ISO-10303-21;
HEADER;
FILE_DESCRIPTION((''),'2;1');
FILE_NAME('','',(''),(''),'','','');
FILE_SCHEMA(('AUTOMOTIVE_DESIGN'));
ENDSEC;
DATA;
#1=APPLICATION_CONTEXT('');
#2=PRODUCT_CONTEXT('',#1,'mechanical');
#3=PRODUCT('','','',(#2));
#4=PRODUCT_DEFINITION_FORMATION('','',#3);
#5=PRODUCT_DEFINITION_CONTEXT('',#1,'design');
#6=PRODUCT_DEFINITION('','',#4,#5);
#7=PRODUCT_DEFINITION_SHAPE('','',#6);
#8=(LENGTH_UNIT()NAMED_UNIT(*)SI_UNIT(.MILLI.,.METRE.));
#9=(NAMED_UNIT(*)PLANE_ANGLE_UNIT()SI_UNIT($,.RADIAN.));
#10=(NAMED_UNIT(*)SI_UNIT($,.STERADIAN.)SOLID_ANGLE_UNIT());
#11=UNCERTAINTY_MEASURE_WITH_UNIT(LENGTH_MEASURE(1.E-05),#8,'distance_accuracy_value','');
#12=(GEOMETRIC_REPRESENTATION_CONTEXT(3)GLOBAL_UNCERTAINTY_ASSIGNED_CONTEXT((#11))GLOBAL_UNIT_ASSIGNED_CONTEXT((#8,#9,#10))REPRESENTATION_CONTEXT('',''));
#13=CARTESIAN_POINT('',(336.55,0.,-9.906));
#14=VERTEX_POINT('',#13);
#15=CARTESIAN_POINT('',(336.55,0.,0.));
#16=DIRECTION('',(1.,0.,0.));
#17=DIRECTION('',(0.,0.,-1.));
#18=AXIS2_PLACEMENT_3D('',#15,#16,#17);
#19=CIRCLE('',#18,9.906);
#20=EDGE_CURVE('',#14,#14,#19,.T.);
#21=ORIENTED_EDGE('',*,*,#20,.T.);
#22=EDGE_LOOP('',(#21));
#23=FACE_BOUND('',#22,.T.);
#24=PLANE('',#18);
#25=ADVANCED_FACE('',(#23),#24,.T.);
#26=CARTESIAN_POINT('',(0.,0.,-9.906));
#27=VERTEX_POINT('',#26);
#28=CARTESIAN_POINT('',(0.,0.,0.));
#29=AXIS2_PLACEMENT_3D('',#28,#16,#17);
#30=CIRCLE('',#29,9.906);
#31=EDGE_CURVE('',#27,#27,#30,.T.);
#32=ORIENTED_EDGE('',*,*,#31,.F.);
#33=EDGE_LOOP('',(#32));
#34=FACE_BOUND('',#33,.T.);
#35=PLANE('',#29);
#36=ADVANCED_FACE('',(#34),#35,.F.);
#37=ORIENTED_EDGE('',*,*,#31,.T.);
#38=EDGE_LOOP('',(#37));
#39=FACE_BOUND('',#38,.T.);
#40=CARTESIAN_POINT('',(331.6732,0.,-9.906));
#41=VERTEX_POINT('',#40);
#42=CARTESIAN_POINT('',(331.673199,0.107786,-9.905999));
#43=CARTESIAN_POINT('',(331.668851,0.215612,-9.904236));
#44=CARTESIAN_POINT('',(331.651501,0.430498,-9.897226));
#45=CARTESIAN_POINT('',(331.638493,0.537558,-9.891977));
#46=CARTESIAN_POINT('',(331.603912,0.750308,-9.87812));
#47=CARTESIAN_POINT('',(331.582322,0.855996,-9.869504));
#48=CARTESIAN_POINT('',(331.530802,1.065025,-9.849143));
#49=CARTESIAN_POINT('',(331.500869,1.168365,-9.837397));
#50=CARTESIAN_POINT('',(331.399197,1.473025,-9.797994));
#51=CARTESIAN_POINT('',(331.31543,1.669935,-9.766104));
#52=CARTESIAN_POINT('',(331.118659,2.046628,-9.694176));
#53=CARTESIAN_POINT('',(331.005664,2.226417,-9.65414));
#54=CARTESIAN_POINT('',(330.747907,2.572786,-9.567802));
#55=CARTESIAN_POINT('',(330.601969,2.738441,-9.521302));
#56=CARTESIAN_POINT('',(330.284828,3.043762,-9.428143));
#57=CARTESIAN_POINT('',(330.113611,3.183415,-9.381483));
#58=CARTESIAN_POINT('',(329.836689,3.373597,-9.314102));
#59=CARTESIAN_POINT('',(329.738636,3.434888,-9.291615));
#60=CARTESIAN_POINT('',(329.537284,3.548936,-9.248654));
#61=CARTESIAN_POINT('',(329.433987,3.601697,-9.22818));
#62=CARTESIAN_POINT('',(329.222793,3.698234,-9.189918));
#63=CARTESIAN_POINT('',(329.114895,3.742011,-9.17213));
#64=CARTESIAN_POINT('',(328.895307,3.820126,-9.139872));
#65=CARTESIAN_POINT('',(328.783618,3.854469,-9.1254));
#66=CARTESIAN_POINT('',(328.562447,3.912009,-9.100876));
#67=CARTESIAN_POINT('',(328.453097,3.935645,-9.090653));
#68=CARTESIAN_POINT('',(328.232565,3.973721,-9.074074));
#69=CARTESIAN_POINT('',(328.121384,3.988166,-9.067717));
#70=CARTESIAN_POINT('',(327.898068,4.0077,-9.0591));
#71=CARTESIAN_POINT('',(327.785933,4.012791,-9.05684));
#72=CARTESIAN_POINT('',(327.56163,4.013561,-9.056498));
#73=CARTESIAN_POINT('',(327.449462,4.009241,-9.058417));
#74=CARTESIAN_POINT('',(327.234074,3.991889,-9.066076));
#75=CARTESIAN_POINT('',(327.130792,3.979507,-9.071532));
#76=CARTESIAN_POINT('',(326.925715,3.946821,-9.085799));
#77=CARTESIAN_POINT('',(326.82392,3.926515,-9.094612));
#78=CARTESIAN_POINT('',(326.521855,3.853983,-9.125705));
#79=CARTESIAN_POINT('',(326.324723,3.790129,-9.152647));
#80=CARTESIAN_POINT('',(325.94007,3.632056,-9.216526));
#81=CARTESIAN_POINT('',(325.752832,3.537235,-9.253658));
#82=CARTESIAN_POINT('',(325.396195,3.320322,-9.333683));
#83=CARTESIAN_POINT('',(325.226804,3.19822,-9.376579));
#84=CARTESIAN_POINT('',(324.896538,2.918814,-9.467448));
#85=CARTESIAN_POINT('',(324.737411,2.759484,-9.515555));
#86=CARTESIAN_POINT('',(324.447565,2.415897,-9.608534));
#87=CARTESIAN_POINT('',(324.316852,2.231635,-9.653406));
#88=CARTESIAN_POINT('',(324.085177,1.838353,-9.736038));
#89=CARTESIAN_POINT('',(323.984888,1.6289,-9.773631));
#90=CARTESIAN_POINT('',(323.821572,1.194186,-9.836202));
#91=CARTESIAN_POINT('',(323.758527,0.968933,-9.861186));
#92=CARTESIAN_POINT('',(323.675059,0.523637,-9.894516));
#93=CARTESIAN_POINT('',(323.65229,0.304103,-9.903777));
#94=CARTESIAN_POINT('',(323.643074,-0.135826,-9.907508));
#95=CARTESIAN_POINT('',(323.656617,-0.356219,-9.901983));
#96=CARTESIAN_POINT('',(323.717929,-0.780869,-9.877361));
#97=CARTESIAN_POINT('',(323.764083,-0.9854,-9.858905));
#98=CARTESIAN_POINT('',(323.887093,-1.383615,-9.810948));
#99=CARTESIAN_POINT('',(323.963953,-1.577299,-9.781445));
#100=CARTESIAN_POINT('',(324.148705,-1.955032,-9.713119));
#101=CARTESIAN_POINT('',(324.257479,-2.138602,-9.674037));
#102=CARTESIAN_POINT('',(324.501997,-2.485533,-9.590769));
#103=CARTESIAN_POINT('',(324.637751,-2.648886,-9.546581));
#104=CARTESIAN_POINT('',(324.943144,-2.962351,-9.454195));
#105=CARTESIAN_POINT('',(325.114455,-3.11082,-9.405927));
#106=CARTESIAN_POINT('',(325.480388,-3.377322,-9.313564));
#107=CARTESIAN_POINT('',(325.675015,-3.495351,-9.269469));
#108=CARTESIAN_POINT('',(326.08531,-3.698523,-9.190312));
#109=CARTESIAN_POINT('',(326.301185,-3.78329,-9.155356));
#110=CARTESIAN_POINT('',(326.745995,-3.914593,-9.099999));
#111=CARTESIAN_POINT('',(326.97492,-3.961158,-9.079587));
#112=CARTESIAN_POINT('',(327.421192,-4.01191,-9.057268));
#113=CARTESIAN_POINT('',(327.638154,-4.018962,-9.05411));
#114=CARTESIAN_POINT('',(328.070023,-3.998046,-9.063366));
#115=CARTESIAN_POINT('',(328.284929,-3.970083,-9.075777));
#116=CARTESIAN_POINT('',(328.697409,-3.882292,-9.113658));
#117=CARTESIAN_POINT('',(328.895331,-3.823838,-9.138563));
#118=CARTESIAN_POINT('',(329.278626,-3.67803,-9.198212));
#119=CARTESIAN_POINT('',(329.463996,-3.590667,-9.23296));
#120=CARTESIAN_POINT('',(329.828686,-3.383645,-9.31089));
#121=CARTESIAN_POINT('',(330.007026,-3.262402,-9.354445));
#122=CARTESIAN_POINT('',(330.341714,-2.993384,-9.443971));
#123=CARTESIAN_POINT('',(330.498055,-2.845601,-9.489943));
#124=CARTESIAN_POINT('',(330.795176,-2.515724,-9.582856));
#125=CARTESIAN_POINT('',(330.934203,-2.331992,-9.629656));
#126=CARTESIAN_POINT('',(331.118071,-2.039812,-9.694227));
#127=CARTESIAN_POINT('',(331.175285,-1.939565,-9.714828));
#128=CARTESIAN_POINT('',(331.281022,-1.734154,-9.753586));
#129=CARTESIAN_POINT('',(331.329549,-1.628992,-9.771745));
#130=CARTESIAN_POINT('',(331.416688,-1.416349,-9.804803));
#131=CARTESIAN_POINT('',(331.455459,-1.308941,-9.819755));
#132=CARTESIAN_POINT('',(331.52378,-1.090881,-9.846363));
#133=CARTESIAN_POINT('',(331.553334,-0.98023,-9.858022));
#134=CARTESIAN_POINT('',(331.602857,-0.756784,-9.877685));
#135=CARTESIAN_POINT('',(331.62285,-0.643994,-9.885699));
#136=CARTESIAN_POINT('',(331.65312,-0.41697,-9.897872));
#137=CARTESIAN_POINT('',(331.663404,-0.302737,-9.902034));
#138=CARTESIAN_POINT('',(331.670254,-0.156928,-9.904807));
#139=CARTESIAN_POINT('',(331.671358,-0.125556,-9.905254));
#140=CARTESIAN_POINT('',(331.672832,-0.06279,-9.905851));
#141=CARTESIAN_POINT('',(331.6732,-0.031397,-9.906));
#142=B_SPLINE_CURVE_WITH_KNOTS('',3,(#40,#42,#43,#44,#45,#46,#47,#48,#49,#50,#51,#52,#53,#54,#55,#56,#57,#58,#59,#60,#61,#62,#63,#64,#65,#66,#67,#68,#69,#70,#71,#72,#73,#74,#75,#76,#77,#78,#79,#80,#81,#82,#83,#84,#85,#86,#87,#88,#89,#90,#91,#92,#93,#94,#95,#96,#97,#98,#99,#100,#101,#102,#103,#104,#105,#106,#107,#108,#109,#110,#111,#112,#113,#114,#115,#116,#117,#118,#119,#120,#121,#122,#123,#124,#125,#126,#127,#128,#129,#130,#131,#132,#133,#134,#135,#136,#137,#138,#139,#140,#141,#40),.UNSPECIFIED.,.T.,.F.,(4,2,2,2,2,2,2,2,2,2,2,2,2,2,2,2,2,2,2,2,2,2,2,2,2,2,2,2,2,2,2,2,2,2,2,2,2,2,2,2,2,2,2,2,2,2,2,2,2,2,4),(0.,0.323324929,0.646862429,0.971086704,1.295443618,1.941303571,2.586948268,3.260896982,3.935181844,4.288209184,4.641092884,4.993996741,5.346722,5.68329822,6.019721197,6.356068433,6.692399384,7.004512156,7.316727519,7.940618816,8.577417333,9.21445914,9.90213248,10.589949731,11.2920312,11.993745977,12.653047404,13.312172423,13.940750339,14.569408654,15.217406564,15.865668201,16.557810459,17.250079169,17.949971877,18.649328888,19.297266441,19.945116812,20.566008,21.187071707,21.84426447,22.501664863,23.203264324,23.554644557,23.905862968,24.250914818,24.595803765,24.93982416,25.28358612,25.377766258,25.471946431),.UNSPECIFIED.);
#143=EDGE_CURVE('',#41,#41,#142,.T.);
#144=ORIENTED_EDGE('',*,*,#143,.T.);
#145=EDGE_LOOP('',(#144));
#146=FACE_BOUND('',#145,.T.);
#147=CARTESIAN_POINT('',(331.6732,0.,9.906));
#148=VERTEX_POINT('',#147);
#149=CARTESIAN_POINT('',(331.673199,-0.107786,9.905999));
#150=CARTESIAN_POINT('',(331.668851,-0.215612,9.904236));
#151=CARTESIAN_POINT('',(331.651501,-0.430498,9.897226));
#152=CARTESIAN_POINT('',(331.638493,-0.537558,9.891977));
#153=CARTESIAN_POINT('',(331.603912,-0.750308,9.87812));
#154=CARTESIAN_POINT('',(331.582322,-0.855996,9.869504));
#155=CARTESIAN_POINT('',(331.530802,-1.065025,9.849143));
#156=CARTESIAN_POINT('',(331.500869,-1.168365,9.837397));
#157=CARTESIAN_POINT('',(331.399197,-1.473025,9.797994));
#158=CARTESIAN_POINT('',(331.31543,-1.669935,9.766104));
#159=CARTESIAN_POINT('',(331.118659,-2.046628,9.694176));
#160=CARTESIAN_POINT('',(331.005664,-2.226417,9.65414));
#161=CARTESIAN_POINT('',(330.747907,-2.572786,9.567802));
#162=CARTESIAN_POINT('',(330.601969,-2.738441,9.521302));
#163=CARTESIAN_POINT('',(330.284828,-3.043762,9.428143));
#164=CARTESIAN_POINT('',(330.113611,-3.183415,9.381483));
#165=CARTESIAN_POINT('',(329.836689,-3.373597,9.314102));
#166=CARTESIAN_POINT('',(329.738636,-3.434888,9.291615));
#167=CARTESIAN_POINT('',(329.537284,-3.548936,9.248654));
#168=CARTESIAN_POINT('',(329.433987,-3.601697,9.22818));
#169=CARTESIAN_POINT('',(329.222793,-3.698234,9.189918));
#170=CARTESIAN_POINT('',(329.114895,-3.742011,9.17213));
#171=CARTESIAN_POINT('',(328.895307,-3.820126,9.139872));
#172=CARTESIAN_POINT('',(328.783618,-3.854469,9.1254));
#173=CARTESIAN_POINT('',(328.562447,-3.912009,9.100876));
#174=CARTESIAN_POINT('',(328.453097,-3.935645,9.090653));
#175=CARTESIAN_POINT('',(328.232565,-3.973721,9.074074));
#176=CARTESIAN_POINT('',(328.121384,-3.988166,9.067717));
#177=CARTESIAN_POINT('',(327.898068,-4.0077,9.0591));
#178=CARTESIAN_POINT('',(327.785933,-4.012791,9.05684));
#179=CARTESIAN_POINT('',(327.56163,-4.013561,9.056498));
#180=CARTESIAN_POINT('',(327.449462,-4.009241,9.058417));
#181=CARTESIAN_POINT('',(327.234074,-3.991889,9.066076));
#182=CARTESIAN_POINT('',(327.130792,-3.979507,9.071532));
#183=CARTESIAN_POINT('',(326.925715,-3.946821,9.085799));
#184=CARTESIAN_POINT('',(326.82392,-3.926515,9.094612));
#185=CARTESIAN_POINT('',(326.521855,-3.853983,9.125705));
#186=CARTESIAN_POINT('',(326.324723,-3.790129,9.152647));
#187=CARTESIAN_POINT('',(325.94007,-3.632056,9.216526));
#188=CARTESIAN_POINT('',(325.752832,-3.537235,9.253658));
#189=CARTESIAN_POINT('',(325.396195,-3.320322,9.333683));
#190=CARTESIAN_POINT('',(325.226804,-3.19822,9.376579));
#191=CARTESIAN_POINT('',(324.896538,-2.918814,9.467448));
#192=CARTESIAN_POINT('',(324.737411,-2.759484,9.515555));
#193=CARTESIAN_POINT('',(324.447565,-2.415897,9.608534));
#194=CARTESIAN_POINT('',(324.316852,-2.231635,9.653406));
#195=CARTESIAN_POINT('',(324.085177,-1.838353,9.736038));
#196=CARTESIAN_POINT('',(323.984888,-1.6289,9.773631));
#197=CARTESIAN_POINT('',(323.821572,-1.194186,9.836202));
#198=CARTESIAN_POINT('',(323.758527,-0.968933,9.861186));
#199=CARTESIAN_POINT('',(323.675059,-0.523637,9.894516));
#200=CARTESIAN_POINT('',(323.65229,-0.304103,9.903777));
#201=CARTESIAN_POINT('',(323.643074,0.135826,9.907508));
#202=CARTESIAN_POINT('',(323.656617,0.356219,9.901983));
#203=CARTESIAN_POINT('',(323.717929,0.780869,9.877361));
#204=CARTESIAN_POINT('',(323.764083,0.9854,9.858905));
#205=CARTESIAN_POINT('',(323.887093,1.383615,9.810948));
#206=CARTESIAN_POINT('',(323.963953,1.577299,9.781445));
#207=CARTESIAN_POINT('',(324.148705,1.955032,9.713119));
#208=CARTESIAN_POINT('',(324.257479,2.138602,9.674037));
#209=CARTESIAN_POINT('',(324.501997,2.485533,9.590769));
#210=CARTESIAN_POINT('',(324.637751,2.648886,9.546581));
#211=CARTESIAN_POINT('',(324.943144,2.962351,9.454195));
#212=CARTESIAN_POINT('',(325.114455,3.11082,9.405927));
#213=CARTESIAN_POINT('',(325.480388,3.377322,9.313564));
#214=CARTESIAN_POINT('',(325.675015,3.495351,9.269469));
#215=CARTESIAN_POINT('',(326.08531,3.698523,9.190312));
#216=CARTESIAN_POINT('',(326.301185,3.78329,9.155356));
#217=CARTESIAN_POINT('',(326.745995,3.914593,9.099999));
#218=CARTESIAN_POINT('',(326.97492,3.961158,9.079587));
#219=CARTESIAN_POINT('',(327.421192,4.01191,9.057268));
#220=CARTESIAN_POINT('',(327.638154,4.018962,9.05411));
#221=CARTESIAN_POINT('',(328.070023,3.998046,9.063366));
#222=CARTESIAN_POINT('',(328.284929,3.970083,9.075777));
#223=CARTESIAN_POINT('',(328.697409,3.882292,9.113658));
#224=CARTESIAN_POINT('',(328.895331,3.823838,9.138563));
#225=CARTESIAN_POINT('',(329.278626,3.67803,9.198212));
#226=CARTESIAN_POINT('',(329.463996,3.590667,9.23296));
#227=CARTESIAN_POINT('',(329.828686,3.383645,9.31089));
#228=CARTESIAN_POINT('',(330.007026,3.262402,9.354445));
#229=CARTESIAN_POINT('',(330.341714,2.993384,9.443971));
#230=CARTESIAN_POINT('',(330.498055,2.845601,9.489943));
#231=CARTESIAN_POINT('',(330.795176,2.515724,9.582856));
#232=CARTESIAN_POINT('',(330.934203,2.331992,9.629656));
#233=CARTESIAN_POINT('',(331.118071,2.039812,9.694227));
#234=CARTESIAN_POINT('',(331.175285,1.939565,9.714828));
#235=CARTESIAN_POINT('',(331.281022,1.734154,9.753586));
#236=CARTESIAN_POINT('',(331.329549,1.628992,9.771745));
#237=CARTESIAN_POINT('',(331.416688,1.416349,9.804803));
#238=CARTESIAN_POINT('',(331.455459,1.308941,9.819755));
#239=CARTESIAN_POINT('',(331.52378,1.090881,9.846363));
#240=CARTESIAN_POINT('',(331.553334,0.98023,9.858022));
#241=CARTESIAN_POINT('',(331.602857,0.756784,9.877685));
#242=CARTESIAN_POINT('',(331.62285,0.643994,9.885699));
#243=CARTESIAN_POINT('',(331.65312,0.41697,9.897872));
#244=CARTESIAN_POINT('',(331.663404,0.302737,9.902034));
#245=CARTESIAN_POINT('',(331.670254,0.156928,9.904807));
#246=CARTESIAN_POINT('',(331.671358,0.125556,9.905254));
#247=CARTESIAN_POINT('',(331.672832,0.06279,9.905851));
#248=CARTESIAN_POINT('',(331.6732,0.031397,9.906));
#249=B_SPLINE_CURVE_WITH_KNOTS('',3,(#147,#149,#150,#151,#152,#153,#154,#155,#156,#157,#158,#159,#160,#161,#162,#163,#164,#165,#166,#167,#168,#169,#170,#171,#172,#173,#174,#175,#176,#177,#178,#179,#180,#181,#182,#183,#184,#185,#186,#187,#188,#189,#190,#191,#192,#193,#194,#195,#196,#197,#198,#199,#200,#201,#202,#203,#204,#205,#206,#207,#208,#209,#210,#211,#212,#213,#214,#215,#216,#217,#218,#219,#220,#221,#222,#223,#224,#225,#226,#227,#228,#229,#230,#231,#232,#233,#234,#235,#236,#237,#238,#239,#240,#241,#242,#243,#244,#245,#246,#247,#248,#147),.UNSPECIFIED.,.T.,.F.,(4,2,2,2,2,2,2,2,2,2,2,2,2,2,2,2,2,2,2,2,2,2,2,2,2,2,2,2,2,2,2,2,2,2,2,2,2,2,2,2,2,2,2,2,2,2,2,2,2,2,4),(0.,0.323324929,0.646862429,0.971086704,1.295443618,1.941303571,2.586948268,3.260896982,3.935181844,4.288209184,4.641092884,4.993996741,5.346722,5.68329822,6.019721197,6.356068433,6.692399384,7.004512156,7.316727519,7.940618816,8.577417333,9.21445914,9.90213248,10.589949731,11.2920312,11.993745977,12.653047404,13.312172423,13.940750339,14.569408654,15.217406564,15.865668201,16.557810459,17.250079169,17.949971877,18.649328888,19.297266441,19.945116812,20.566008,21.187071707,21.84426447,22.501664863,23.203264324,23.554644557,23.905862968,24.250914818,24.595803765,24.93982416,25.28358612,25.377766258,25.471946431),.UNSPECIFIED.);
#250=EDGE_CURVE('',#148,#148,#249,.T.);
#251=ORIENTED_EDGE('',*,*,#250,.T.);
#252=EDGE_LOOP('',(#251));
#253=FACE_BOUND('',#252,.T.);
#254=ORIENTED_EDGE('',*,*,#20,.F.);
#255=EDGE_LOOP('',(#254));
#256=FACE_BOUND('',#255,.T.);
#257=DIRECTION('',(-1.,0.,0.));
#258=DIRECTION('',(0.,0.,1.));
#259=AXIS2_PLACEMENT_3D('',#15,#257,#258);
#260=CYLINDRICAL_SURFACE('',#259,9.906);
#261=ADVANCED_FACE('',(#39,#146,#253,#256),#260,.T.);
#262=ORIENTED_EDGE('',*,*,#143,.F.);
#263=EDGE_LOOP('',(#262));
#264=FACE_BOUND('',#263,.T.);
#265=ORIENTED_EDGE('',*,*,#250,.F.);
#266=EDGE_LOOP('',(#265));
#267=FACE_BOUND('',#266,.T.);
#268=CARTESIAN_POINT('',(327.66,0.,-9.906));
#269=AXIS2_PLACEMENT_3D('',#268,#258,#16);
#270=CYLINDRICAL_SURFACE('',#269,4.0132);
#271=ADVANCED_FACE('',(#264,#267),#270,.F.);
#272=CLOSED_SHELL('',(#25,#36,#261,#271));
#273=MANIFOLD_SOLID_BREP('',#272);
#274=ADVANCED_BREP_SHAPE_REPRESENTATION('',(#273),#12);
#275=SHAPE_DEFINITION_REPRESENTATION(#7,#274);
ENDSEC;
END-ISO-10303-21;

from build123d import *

# Parameters (mm, degrees)
SKETCH1_R           = 9.906
BOSS_EXTRUDE1_DEPTH = 336.55
SKETCH3_R           = 4.0132
CUT_EXTRUDE1_DEPTH  = 338.278144385


with BuildPart() as part:
    # Sketch1 → Boss-Extrude1 (new body)
    with BuildSketch(Plane(origin=(0, 0, 0), x_dir=(0, 0, -1), z_dir=(1, 0, 0))):
        Circle(SKETCH1_R)
    extrude(amount=BOSS_EXTRUDE1_DEPTH)

    # Sketch3 → Cut-Extrude1 (cut, through all)
    with BuildSketch(Plane(origin=(336.55, 0, 9.906), x_dir=(1, 0, 0), z_dir=(0, 0, 1))):
        with Locations((-8.89, 0)):
            Circle(SKETCH3_R)
    extrude(amount=-CUT_EXTRUDE1_DEPTH, mode=Mode.SUBTRACT)


solid = part.part
